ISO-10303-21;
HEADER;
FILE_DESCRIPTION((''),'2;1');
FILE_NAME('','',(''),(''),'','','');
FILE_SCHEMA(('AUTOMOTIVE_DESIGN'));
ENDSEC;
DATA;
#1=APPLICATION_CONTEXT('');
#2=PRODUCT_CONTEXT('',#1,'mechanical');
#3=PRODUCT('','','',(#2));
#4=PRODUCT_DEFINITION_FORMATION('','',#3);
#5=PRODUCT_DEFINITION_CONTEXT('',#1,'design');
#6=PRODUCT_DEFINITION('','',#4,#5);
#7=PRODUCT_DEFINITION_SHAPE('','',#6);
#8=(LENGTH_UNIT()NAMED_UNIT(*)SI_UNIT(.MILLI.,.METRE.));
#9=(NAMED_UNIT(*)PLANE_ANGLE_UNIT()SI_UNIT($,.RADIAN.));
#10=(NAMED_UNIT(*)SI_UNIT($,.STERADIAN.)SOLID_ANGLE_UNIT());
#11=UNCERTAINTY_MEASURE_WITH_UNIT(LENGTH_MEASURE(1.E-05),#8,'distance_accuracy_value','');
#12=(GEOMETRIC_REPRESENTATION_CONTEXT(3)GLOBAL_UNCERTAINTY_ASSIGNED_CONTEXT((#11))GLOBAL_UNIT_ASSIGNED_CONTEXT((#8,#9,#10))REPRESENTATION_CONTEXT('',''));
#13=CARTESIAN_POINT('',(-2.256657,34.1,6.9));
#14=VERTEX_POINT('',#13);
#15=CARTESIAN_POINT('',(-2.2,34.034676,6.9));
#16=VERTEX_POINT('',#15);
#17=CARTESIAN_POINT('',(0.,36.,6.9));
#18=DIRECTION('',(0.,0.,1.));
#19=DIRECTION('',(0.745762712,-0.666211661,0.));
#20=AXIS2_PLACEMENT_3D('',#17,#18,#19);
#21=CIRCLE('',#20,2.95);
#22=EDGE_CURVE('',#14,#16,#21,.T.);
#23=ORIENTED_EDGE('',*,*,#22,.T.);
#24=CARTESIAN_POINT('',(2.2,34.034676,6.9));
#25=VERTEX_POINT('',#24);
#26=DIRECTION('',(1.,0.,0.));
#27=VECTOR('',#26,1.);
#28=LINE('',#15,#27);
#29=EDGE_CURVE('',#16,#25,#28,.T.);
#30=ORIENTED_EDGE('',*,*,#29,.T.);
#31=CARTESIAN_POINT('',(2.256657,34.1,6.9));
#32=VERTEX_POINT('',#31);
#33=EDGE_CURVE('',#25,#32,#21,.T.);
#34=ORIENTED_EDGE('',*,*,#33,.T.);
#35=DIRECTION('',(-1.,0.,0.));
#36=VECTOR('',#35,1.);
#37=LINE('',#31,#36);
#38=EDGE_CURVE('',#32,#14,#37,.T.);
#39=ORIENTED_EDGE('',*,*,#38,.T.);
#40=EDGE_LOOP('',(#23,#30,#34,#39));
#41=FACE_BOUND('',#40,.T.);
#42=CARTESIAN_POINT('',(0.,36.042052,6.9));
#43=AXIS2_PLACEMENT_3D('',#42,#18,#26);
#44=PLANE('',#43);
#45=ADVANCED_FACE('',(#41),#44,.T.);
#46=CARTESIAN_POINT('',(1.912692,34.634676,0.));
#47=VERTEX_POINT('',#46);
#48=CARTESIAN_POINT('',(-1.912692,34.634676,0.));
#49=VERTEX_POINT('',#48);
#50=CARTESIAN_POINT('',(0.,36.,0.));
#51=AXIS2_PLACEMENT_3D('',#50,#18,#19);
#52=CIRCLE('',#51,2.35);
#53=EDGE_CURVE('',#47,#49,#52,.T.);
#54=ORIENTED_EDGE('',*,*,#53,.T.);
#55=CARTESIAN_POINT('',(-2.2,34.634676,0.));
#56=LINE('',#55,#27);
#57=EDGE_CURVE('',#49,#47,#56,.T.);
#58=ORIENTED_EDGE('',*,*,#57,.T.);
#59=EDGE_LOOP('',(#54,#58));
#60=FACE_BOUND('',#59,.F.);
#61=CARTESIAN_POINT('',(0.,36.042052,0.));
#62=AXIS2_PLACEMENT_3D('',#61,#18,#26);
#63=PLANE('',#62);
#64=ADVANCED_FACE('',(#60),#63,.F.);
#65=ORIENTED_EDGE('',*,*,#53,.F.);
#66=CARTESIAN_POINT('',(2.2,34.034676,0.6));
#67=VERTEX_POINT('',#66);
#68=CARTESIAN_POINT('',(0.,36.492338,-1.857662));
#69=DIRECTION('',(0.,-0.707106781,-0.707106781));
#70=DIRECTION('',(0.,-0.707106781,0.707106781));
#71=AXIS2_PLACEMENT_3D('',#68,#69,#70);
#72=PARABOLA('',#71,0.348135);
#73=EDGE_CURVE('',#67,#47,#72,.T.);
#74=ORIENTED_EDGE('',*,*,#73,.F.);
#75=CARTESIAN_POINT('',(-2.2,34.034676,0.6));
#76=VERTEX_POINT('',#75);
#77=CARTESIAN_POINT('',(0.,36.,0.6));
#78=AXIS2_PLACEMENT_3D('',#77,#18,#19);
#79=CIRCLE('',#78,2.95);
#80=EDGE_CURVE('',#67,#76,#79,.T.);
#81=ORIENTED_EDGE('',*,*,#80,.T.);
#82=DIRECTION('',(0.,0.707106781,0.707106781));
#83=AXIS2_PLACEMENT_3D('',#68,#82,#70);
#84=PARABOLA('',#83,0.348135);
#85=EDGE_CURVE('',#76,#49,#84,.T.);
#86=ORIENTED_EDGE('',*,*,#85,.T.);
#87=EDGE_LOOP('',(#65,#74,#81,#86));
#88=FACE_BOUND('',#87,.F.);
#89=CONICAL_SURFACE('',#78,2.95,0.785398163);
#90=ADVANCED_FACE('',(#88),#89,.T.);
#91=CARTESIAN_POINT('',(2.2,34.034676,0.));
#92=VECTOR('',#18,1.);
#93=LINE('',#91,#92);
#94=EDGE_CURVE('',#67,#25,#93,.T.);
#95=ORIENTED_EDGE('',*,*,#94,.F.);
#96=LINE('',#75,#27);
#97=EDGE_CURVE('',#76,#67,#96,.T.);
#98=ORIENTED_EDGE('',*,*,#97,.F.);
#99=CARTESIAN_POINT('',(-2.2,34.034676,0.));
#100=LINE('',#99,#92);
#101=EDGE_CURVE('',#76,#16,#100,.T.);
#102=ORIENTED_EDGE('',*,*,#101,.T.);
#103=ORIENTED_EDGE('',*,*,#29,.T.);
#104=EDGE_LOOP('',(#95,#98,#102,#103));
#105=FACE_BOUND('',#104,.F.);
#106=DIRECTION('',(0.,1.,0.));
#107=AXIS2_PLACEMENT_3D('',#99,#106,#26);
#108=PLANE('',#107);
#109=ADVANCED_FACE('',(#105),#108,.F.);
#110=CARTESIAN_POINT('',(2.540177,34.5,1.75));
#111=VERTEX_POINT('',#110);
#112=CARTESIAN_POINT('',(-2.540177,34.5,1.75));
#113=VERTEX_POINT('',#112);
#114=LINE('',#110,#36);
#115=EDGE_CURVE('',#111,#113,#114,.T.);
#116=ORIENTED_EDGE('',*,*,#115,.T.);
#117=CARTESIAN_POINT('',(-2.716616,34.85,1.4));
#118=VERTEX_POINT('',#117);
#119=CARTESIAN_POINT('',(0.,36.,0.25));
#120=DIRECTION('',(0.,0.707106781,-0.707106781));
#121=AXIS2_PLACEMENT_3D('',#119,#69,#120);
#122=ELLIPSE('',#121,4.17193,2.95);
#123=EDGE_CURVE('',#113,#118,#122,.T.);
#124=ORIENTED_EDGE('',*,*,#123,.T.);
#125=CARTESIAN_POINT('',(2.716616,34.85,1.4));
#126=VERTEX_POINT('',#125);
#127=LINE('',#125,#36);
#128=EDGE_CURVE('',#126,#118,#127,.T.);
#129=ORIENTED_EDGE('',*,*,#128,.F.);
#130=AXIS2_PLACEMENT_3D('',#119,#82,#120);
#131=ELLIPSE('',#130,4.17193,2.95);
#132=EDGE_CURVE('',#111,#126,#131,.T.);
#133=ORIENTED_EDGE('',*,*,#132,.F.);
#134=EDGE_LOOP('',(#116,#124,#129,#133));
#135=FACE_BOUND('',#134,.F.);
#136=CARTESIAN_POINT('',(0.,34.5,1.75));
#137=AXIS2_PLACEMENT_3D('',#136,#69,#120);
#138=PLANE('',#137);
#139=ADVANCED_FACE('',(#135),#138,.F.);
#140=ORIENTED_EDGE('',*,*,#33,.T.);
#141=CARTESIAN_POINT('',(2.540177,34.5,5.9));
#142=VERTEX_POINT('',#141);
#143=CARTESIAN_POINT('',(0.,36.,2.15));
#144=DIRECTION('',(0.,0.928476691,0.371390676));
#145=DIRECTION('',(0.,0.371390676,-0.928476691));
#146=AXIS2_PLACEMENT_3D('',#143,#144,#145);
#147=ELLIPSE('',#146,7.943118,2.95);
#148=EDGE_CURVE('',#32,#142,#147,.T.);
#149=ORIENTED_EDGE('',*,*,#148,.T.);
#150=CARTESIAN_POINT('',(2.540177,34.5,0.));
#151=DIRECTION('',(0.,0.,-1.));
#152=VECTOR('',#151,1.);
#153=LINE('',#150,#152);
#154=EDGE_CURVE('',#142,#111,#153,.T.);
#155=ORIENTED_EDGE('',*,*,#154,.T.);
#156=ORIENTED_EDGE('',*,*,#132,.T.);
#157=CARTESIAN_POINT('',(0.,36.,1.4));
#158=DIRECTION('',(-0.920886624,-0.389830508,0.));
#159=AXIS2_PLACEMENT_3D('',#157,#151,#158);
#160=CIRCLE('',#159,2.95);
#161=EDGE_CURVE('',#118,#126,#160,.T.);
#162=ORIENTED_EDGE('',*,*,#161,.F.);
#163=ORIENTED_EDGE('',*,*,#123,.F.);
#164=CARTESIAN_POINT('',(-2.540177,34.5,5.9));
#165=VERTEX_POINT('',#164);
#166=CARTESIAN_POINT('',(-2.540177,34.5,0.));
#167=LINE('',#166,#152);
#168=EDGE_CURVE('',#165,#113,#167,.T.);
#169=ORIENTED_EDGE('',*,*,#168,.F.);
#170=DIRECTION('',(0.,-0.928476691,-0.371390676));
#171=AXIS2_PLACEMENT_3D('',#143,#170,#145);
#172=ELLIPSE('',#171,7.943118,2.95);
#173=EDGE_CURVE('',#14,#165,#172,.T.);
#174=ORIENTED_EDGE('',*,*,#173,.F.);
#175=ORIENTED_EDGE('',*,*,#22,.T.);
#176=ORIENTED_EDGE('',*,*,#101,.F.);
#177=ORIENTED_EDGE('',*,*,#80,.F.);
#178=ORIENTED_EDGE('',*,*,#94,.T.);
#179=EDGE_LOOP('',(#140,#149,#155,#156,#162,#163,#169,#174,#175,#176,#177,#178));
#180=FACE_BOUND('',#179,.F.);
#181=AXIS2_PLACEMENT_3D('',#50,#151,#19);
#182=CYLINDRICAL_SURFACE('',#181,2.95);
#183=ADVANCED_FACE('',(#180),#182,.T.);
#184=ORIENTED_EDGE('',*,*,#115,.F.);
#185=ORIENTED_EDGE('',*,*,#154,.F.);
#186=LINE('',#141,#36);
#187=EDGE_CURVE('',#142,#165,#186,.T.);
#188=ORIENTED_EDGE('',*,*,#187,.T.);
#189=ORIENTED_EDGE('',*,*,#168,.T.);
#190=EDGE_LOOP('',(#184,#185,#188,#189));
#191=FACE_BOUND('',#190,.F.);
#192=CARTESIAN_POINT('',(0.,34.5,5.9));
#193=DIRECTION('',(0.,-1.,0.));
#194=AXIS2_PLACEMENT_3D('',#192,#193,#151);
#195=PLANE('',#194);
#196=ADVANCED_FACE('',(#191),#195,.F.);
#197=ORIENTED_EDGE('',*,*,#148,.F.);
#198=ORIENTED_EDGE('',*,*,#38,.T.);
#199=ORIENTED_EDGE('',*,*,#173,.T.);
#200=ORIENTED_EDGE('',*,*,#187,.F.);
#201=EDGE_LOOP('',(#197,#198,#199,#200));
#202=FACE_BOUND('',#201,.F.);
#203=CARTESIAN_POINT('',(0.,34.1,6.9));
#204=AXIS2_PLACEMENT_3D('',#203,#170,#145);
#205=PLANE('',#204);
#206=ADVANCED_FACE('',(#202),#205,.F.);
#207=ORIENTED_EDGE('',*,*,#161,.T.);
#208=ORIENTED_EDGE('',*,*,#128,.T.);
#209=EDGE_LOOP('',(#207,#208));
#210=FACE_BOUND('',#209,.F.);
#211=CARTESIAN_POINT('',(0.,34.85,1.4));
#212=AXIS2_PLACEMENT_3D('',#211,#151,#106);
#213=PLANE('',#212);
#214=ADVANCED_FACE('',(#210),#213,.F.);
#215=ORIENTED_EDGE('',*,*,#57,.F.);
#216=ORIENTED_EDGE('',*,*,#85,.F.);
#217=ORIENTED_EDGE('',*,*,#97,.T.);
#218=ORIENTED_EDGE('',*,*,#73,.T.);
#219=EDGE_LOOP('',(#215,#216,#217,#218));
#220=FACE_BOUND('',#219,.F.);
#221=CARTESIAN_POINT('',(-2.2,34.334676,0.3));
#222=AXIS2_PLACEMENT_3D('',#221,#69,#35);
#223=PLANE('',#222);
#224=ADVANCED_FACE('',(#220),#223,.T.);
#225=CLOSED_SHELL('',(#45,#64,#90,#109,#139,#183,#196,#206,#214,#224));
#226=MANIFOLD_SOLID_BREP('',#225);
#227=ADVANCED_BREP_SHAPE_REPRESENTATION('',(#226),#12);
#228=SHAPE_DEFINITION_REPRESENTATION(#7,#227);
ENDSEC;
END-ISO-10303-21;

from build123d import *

# Parameters (mm, degrees)
PAD007_DEPTH         = 6.9
POCKET005_DEPTH      = 2.951
POCKET005_DEPTH_BACK = 2.951
CHAMFER008_SIZE      = 0.6


with BuildPart() as part:
    # Sketch018 → Pad007 (new body)
    with BuildSketch(Plane.XY):
        with BuildLine():
            ThreePointArc((2.2, -1.9653244007), (0, 2.95), (-2.2, -1.9653244007))
            Line((-2.2, -1.9653244007), (2.2, -1.9653244007))
        make_face()
    extrude(amount=PAD007_DEPTH)

    # Sketch019 → Pocket005 (cut, two sides)
    with BuildSketch(Plane.YZ) as pocket005_sk:
        Polygon((-1.9, 6.9), (-1.5, 5.9), (-1.5, 1.75), (-1.15, 1.4), (5, 1.4), (5, 6.9), align=None)
    extrude(amount=-POCKET005_DEPTH, mode=Mode.SUBTRACT)
    extrude(pocket005_sk.sketch, amount=POCKET005_DEPTH_BACK, mode=Mode.SUBTRACT)

    # Chamfer008
    chamfer008_edges = [part.edges().sort_by_distance(p)[0] for p in [
        (0, 2.95, 0),
        (0, -1.965324, 0),
    ]]
    chamfer(chamfer008_edges, length=CHAMFER008_SIZE)


with BuildPart() as part_1:
    # Body056 placement: moved
    add(part.part.moved(Location((0, 36, 0))))


solid = part_1.part
